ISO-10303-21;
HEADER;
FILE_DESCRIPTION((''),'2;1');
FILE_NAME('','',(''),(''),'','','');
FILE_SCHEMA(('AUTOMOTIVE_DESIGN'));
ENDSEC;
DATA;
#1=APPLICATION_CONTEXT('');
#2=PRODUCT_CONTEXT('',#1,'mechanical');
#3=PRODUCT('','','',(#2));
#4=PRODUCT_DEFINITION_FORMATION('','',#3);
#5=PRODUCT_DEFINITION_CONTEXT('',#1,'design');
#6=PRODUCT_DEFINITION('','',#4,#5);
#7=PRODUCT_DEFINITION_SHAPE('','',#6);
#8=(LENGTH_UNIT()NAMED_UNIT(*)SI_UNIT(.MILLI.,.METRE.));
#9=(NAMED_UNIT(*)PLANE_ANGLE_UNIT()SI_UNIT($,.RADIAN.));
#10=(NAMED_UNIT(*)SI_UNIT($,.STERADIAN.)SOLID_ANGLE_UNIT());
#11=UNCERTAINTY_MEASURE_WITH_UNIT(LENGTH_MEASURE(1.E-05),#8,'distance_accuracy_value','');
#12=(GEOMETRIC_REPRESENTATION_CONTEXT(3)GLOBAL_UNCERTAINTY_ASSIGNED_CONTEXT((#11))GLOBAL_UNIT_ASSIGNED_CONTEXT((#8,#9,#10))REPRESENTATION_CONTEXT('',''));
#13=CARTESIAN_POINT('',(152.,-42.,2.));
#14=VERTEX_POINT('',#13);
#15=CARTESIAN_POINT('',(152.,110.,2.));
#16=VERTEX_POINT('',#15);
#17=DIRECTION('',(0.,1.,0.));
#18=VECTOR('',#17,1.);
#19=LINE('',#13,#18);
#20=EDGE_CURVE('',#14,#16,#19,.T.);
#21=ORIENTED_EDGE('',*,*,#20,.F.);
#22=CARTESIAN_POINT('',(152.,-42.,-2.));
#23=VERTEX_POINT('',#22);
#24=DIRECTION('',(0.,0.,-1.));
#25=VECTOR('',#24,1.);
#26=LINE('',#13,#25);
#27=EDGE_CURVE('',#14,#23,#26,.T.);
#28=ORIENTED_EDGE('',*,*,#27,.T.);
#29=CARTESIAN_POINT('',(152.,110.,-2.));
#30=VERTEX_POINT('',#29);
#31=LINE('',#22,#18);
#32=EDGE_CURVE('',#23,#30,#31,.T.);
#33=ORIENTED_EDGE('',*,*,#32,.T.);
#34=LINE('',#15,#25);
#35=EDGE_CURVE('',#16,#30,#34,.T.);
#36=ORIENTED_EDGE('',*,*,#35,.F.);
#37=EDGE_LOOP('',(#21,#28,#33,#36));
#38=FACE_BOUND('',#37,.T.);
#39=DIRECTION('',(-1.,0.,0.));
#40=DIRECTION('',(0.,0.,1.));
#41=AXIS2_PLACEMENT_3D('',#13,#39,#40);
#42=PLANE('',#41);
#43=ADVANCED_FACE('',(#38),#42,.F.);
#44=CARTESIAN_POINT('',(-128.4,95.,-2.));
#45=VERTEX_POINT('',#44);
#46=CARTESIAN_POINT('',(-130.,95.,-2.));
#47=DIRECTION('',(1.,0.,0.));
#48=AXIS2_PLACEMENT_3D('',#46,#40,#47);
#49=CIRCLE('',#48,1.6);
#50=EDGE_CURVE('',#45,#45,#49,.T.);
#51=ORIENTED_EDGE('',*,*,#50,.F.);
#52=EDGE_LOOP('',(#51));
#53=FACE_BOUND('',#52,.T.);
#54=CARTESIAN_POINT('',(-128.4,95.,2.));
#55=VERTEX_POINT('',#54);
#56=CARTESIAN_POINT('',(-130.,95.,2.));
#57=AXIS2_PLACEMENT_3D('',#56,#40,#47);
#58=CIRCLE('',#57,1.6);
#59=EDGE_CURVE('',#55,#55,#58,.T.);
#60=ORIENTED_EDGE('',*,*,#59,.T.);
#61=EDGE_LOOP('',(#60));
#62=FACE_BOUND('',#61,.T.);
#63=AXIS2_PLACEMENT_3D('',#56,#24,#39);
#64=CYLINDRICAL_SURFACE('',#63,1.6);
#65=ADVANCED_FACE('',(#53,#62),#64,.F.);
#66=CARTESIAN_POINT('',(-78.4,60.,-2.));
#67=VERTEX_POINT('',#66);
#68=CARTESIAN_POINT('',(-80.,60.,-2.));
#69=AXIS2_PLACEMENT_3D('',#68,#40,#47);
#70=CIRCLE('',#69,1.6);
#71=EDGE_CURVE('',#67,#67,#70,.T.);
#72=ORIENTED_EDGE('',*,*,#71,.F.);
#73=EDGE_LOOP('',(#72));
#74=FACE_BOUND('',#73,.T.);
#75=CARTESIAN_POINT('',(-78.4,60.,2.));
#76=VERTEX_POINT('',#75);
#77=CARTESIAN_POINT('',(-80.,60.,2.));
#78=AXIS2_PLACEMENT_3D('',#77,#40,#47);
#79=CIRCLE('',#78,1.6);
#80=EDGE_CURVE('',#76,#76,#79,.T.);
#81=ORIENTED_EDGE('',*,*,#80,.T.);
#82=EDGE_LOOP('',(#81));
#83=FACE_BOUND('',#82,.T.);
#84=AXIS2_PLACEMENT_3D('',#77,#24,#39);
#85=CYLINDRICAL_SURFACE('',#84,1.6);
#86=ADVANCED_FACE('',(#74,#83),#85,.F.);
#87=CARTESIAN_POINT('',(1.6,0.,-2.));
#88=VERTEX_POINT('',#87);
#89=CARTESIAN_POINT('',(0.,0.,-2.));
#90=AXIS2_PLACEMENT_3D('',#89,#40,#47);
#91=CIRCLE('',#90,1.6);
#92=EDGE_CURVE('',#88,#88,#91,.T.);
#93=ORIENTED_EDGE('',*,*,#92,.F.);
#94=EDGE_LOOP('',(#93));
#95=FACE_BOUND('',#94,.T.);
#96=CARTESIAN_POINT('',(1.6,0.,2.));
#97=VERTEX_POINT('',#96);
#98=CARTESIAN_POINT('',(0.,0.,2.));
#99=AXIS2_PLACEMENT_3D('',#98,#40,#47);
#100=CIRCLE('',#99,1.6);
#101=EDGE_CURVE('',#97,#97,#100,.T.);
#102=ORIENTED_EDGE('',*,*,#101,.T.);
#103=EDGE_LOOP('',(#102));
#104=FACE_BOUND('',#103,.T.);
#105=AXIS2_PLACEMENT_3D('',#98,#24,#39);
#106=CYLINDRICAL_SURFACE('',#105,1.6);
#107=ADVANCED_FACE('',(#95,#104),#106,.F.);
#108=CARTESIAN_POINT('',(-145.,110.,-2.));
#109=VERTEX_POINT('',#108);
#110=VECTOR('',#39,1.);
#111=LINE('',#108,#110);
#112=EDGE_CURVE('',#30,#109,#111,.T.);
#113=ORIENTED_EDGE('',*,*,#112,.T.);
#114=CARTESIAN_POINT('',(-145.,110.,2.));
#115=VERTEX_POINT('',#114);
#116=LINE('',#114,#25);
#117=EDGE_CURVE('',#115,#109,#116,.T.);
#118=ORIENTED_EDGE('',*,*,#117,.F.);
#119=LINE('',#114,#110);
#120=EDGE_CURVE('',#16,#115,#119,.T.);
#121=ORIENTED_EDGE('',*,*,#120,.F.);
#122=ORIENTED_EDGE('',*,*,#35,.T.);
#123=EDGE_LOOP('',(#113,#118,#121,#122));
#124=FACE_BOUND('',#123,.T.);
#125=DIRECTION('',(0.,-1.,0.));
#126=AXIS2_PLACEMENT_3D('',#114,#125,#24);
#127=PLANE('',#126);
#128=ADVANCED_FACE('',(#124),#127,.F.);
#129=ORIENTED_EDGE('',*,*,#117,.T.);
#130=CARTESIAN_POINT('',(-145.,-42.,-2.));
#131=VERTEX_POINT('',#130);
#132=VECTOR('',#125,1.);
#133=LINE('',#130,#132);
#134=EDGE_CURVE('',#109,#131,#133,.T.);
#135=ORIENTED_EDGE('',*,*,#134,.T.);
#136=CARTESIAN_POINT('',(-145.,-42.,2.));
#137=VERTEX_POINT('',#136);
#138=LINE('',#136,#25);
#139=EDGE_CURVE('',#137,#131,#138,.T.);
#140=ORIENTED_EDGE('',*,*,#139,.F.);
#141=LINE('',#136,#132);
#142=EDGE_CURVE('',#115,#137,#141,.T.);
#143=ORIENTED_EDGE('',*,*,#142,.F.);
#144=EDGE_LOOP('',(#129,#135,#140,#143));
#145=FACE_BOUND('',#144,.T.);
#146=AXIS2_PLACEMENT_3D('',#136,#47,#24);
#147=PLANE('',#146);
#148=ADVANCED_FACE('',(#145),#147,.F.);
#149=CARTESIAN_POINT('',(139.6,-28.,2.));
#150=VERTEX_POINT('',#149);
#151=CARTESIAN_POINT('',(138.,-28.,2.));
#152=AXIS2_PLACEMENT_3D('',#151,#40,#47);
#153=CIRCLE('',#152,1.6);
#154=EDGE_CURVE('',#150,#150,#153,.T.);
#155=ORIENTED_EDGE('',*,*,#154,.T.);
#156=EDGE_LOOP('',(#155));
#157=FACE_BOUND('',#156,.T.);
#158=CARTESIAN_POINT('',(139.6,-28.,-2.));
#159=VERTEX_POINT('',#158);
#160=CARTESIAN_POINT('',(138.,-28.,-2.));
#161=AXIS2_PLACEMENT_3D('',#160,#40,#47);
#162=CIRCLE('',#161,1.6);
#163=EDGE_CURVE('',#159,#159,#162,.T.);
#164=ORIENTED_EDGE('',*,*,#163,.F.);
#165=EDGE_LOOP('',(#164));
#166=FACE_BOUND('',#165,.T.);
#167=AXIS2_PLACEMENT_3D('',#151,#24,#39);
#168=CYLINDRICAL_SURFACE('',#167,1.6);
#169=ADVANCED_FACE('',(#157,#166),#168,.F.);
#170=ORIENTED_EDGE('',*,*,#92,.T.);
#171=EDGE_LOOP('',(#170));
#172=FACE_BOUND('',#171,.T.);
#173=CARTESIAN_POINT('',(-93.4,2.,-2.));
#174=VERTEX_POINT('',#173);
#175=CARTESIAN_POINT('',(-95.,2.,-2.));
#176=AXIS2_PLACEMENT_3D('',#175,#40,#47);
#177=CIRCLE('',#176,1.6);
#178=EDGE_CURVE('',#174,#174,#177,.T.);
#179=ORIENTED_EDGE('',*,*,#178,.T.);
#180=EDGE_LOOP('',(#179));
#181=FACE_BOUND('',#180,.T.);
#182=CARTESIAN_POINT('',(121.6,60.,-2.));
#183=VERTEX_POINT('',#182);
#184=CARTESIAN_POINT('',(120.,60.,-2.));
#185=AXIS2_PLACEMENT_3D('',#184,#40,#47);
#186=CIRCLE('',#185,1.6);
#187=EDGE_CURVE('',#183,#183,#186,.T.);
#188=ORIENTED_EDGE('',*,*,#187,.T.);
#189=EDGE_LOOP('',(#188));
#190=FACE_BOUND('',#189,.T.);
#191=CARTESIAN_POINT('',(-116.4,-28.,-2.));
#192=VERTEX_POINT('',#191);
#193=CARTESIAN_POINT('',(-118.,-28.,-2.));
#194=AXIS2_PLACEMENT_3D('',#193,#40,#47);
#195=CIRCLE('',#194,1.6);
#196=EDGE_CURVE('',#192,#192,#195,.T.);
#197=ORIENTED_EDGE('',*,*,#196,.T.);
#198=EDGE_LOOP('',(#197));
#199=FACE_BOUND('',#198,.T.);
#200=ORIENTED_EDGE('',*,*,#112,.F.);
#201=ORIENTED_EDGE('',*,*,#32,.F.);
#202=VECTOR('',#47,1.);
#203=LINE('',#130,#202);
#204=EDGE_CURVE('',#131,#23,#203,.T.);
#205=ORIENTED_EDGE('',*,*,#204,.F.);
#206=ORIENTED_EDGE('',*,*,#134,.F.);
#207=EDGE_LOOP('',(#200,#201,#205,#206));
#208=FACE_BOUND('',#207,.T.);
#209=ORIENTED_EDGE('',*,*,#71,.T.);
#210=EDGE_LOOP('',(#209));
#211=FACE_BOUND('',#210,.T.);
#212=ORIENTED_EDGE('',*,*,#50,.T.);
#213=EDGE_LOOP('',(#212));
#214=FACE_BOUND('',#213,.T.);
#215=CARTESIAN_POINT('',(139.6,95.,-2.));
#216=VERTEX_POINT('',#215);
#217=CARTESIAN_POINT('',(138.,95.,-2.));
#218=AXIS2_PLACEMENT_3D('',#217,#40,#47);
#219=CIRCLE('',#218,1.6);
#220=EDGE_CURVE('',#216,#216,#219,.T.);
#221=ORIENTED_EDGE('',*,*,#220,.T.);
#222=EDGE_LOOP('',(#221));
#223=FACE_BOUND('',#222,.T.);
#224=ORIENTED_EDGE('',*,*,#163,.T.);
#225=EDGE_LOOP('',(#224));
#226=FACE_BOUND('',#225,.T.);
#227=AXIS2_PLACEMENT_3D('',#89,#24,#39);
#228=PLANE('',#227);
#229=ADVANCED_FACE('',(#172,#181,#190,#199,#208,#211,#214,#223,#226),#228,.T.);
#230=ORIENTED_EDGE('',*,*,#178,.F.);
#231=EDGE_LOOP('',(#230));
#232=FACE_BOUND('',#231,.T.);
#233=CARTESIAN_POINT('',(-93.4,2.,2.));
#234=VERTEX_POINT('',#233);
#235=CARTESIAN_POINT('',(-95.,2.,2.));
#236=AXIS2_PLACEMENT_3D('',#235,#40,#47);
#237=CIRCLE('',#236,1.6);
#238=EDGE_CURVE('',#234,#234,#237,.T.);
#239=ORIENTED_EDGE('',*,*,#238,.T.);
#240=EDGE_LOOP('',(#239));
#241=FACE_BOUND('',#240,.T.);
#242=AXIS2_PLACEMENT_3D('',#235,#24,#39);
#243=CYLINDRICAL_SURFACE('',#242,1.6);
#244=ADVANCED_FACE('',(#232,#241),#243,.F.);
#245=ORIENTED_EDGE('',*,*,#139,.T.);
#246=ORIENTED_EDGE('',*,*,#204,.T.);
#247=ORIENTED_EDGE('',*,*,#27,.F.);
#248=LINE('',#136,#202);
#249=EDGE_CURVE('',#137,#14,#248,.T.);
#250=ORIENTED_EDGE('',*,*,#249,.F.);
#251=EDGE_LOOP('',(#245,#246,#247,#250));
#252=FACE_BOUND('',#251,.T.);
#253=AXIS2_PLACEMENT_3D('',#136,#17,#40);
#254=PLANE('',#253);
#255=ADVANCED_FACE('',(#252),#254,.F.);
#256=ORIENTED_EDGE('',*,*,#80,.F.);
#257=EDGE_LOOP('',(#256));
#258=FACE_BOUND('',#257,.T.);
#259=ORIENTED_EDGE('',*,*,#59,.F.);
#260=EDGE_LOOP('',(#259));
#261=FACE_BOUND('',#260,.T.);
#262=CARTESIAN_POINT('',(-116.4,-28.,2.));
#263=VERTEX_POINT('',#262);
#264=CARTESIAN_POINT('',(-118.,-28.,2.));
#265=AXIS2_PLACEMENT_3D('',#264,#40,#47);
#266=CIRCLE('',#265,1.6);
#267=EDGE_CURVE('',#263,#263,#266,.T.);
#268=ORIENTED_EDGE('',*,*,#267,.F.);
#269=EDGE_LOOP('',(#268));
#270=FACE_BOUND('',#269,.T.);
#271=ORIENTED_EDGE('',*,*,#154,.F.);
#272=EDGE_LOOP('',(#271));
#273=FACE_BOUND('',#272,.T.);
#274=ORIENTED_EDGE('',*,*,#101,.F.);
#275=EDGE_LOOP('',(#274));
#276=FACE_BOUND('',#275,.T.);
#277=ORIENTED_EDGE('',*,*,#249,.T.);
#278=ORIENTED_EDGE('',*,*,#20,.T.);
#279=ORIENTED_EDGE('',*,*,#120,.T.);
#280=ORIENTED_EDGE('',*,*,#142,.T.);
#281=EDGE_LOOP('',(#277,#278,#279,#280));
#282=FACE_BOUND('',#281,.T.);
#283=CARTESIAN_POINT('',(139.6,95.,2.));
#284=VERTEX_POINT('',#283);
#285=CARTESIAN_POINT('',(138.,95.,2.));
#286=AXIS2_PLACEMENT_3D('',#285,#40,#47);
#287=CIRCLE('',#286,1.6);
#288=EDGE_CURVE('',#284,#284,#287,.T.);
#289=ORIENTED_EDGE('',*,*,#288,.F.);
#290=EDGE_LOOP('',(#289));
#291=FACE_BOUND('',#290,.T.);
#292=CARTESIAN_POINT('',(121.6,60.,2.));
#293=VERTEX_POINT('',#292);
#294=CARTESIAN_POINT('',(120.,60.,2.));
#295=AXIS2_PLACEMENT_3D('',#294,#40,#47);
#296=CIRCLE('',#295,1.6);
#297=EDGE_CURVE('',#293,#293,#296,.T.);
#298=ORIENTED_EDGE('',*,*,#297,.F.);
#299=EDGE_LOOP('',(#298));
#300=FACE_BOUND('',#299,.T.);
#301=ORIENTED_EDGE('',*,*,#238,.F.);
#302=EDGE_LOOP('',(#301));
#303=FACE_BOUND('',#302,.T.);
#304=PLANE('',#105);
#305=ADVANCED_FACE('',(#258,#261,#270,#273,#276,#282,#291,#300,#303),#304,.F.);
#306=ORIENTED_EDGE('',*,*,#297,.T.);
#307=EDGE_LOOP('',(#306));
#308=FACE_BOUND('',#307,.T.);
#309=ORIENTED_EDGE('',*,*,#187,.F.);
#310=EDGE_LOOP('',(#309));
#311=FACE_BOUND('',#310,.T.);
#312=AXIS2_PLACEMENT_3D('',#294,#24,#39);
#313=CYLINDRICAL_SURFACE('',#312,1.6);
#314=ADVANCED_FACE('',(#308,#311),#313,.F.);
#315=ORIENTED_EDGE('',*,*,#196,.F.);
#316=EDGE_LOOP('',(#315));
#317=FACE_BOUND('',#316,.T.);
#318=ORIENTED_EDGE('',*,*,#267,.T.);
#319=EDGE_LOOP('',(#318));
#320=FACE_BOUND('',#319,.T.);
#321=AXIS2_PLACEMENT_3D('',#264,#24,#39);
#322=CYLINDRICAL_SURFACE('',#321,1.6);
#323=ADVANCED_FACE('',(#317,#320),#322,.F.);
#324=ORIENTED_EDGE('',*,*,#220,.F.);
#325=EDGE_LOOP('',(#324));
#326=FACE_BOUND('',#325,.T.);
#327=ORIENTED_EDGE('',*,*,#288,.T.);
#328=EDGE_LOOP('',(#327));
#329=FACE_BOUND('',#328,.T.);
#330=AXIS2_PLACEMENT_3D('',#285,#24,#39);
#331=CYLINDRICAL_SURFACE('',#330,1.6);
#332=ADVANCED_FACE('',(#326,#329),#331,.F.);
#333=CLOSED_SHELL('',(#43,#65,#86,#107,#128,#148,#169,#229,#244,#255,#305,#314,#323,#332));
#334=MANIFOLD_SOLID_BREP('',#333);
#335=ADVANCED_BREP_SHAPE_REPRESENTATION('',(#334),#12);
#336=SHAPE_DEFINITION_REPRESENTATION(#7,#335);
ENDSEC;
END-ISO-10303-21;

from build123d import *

# Parameters (mm, degrees)
SKETCH_1_W      = 297
SKETCH_1_H      = 152
SKETCH_1_R      = 1.6
EXTRUDE_1_DEPTH = 2


with BuildPart() as part:
    # 草图1 → 凸台-拉伸1 (new, symmetric)
    with BuildSketch(Plane.XY):
        with Locations((3.5, 34)):
            Rectangle(SKETCH_1_W, SKETCH_1_H)
        Circle(SKETCH_1_R, mode=Mode.SUBTRACT)
        with Locations((-80, 60)):
            Circle(SKETCH_1_R, mode=Mode.SUBTRACT)
        with Locations((120, 60)):
            Circle(SKETCH_1_R, mode=Mode.SUBTRACT)
        with Locations((-95, 2)):
            Circle(SKETCH_1_R, mode=Mode.SUBTRACT)
        with Locations((-118, -28)):
            Circle(SKETCH_1_R, mode=Mode.SUBTRACT)
        with Locations((138, -28)):
            Circle(SKETCH_1_R, mode=Mode.SUBTRACT)
        with Locations((-130, 95)):
            Circle(SKETCH_1_R, mode=Mode.SUBTRACT)
        with Locations((138, 95)):
            Circle(SKETCH_1_R, mode=Mode.SUBTRACT)
    extrude(amount=EXTRUDE_1_DEPTH, both=True)


solid = part.part
